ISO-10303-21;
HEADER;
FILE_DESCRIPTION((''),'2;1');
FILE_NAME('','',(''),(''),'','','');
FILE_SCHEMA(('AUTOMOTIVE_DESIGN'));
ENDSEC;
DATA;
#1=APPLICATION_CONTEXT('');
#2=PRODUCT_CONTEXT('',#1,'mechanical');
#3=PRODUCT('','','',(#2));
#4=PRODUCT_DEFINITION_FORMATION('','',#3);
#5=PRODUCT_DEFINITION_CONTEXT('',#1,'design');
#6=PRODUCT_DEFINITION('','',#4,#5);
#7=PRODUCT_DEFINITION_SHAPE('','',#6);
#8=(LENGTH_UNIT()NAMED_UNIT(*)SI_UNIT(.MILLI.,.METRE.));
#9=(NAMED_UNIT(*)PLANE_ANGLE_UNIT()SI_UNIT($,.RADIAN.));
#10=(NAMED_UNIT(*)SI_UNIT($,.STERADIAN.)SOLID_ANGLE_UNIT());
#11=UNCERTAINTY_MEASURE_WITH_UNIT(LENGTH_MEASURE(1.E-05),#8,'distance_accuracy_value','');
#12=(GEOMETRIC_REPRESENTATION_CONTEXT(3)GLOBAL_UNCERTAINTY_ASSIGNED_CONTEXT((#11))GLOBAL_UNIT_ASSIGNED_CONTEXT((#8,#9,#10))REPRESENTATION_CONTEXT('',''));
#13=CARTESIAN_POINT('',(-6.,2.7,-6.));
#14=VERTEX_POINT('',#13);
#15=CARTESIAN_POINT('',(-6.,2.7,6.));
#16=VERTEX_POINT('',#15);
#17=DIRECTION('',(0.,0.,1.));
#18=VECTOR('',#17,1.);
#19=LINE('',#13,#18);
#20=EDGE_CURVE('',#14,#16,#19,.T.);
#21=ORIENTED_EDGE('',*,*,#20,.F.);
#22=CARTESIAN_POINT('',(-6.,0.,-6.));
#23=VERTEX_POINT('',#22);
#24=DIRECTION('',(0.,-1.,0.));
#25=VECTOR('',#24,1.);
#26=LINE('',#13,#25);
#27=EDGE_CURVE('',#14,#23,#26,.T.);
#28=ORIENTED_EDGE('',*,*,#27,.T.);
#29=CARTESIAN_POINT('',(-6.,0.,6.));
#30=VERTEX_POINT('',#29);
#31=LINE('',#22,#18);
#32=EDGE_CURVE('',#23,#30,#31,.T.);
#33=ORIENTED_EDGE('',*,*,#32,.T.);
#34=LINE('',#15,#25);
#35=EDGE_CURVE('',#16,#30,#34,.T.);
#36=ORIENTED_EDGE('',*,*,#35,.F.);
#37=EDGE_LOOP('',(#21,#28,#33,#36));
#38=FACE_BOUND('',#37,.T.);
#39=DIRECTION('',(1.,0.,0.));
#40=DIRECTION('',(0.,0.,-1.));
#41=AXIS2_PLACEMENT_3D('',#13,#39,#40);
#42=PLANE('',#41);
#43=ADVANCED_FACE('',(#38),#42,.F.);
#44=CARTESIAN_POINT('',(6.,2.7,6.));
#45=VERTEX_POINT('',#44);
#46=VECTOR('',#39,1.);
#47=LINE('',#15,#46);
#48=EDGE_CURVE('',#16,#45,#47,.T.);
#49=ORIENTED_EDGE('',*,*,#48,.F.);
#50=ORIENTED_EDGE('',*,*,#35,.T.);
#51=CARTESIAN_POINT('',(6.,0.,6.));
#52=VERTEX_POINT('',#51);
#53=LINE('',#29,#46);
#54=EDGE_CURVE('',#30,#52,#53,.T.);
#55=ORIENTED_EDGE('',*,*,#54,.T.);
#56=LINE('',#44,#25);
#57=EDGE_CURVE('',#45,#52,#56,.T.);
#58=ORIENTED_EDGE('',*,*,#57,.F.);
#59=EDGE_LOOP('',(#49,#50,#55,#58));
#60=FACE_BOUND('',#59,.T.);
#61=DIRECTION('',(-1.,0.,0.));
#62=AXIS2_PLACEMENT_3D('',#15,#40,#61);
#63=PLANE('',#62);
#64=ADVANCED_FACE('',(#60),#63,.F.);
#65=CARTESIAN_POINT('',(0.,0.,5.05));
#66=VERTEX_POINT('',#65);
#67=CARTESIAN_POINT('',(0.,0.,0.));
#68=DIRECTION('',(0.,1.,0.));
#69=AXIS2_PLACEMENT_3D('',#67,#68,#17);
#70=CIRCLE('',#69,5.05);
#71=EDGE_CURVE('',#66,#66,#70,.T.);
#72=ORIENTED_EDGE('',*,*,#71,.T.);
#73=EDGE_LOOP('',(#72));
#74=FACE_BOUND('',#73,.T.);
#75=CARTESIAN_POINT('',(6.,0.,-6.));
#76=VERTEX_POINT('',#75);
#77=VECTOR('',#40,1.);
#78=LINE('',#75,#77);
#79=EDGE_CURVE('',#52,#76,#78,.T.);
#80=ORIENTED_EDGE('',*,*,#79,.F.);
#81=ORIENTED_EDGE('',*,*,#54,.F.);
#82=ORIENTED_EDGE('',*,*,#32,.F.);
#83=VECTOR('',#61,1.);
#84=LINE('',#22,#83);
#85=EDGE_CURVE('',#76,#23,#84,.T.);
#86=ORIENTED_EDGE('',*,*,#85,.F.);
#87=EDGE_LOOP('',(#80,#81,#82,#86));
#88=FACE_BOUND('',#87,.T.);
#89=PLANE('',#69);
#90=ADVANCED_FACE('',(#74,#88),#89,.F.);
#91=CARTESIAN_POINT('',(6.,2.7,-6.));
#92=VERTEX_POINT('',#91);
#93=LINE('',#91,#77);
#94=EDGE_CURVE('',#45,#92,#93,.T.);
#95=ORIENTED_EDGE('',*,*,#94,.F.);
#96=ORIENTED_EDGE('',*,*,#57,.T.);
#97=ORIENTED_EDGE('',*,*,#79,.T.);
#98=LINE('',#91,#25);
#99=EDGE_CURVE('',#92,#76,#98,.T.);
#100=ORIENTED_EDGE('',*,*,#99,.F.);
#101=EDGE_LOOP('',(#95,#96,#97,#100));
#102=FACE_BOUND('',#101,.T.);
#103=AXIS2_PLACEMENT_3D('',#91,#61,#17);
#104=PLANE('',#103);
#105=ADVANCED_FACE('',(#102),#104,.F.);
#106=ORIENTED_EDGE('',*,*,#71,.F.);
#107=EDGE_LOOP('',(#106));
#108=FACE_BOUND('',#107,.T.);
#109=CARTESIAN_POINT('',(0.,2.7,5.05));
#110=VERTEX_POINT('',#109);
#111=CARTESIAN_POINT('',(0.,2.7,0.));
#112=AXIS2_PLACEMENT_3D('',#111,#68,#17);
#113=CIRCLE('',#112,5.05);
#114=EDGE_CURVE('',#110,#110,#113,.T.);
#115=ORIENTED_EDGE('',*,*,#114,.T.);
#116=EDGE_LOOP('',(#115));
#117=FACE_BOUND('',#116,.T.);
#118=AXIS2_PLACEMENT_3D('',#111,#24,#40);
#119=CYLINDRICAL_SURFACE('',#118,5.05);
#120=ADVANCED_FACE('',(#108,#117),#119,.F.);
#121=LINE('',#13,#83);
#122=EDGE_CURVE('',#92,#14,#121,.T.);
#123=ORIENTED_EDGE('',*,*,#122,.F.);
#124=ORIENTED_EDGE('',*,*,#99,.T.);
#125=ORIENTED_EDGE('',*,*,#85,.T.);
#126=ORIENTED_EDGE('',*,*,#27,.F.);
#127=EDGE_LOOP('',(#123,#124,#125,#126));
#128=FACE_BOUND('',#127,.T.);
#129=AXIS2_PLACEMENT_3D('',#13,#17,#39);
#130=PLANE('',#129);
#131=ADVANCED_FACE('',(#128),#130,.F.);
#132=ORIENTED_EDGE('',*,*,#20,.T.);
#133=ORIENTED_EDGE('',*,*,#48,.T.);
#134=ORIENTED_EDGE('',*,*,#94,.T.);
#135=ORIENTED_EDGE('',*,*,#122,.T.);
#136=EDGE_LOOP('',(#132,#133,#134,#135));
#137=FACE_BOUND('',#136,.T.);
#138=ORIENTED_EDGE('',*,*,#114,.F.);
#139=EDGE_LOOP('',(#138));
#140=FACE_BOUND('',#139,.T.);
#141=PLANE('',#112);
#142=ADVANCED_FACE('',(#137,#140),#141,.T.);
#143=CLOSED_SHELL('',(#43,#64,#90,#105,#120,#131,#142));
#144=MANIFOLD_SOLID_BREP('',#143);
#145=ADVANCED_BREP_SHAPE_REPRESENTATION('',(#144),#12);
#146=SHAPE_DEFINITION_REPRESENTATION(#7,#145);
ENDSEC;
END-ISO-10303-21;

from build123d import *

# Parameters (mm, degrees)
SKETCH_1_W      = 12
SKETCH_1_H      = 12
SKETCH_1_R      = 5.05
EXTRUDE_1_DEPTH = 2.7


with BuildPart() as part:
    # 草图1 → 凸台-拉伸1 (new body)
    with BuildSketch(Plane(origin=(0, 0, 0), x_dir=(1, 0, 0), z_dir=(0, 1, 0))):
        Rectangle(SKETCH_1_W, SKETCH_1_H)
        Circle(SKETCH_1_R, mode=Mode.SUBTRACT)
    extrude(amount=EXTRUDE_1_DEPTH)


solid = part.part
